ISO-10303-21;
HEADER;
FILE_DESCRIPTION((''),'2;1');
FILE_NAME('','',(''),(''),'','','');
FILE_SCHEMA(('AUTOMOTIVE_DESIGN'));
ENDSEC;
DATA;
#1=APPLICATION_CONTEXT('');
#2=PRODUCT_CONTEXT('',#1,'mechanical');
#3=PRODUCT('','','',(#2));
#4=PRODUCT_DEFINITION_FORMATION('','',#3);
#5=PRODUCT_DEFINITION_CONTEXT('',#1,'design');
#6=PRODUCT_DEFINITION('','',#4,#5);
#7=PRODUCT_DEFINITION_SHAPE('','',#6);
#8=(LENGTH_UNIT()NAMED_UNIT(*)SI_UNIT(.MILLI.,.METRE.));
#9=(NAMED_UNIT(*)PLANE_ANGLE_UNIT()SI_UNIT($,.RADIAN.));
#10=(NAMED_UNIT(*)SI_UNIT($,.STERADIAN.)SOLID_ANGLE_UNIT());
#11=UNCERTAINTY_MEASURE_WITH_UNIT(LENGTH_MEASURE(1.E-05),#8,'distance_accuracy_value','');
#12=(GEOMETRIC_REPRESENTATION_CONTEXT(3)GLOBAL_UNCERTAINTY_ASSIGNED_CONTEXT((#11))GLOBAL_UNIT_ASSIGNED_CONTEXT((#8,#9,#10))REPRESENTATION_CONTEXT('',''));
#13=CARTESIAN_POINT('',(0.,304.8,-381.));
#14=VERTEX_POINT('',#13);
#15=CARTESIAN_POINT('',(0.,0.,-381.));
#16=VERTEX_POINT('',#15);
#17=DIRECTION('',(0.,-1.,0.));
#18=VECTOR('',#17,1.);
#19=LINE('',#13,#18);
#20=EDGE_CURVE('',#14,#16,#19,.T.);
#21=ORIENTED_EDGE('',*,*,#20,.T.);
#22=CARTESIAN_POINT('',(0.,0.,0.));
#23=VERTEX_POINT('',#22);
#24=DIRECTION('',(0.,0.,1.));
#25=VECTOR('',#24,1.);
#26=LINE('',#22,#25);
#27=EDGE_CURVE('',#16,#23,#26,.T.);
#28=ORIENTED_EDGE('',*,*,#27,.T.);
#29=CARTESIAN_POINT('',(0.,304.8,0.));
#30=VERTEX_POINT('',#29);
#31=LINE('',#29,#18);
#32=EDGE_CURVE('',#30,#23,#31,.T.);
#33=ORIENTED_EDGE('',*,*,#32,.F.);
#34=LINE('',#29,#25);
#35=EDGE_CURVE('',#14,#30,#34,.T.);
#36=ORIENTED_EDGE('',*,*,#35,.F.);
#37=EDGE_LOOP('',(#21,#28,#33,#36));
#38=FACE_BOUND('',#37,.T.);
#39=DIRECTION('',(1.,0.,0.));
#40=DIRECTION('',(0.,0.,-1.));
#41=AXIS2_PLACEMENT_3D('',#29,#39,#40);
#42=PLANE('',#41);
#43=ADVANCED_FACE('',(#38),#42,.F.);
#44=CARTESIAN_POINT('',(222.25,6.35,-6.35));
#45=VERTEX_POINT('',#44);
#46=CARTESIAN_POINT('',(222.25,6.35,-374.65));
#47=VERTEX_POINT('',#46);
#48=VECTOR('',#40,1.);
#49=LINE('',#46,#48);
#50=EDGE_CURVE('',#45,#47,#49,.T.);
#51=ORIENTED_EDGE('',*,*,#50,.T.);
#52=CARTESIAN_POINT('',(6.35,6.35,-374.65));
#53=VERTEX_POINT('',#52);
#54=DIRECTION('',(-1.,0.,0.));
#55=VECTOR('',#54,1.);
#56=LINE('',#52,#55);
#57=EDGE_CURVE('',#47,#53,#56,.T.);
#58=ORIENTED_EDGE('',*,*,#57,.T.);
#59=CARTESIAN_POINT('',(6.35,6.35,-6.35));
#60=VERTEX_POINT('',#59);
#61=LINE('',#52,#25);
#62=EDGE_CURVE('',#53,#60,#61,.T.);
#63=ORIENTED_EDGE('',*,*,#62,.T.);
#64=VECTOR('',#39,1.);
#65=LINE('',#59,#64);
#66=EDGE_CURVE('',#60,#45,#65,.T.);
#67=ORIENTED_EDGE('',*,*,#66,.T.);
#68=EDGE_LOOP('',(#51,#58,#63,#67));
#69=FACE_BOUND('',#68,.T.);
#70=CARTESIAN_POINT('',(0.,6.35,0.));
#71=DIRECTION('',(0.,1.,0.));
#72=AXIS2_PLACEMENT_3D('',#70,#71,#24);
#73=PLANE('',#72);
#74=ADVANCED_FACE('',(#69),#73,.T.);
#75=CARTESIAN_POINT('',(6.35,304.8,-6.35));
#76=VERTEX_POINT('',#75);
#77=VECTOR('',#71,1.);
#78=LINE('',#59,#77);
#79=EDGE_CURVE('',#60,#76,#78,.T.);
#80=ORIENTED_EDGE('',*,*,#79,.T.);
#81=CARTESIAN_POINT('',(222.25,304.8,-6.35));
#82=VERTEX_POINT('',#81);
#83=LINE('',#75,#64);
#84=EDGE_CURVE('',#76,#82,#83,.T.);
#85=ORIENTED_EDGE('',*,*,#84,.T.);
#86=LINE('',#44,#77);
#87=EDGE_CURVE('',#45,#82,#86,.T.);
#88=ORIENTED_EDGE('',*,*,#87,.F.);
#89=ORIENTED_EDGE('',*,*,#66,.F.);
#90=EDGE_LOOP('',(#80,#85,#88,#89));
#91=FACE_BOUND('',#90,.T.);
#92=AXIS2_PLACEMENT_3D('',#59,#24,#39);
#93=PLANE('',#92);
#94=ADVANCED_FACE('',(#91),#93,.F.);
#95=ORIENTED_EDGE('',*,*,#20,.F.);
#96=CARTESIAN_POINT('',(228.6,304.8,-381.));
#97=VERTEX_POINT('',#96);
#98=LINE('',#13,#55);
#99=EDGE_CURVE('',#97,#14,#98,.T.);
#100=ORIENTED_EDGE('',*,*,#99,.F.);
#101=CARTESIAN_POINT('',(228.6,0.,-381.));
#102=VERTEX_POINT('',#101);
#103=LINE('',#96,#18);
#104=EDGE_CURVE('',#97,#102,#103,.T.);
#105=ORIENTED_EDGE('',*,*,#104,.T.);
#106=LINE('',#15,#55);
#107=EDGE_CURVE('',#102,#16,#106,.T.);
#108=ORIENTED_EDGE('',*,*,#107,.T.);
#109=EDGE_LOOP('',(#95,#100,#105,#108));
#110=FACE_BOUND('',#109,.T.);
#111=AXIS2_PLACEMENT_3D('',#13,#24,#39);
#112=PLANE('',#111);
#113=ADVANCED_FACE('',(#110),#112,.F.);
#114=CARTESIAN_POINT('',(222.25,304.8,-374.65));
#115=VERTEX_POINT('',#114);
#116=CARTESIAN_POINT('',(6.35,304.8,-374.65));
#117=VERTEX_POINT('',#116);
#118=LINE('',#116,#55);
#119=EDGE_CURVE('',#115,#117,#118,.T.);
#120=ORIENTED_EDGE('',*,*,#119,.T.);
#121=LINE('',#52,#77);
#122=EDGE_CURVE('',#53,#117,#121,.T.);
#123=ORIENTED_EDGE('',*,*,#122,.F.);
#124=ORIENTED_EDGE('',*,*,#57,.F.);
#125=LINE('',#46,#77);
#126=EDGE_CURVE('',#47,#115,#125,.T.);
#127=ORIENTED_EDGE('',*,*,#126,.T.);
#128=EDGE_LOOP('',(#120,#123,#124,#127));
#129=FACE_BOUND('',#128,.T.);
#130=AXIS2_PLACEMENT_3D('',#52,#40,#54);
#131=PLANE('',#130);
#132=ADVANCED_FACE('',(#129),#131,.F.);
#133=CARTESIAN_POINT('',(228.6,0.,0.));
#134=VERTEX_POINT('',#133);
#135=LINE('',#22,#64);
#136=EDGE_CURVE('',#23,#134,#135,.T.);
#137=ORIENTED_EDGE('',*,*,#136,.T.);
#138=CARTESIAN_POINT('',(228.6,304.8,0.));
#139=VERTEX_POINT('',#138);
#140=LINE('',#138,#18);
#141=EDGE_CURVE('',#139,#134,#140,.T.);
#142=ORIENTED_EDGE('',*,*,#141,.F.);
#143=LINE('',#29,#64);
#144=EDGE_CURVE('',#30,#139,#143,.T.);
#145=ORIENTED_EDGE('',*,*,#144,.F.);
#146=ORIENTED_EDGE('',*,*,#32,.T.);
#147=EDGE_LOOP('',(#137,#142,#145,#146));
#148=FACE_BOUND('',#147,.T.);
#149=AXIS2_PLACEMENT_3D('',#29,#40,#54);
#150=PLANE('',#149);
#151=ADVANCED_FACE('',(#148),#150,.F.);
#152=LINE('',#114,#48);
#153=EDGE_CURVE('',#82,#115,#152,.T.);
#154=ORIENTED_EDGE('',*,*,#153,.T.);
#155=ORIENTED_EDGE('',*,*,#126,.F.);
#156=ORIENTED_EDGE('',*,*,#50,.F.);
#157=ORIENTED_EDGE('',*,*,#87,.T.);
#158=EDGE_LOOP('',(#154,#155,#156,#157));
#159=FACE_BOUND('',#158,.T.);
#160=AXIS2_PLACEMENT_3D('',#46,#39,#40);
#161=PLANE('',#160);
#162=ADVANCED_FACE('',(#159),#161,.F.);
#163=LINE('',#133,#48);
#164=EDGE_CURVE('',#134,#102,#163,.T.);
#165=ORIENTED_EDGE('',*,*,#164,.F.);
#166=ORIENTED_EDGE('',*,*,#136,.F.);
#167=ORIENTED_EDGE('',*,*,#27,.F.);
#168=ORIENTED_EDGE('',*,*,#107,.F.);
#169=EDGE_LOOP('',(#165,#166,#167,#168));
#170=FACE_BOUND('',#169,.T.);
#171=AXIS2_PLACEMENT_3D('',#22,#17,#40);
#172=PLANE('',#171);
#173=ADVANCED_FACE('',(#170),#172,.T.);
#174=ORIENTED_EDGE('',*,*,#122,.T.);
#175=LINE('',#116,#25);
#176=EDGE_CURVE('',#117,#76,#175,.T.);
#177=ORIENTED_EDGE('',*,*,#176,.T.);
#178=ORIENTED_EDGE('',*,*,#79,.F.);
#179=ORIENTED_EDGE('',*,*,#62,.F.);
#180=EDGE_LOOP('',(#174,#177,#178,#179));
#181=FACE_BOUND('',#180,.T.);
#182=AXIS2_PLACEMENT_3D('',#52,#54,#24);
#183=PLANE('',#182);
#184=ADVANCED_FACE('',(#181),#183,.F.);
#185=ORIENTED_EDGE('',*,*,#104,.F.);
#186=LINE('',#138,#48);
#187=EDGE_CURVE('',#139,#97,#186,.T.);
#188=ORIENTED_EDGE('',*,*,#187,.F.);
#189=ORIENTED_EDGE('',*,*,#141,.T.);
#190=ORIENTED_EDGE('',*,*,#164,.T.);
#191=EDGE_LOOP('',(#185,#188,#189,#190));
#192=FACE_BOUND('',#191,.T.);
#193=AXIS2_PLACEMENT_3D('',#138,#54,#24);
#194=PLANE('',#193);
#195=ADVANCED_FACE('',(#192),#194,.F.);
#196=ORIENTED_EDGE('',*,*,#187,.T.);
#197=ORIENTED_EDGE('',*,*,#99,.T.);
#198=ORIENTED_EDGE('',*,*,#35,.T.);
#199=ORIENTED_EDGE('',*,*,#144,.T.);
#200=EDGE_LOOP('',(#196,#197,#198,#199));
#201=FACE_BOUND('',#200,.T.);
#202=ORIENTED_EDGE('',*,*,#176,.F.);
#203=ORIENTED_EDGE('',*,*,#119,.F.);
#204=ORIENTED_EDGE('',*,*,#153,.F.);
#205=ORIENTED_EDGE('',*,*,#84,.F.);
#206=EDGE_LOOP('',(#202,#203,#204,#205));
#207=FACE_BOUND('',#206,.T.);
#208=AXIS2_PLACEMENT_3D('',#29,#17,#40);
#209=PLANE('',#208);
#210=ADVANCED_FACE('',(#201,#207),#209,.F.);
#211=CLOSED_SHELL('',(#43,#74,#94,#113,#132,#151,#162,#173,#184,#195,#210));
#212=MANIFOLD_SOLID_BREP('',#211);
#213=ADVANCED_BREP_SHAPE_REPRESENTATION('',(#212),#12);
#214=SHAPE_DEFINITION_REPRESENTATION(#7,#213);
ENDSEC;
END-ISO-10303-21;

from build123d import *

# Parameters (mm, degrees)
SKETCH1_W           = 228.6
SKETCH1_H           = 381
BOSS_EXTRUDE1_DEPTH = 304.8
SKETCH2_W           = 215.9
SKETCH2_H           = 368.3
CUT_EXTRUDE1_DEPTH  = 298.45


with BuildPart() as part:
    # Sketch1 → Boss-Extrude1 (new body)
    with BuildSketch(Plane(origin=(0, 0, 0), x_dir=(1, 0, 0), z_dir=(0, 1, 0))):
        with Locations((114.3, 190.5)):
            Rectangle(SKETCH1_W, SKETCH1_H)
    extrude(amount=BOSS_EXTRUDE1_DEPTH)

    # Sketch2 → Cut-Extrude1 (cut)
    with BuildSketch(Plane(origin=(0, 304.8, 0), x_dir=(1, 0, 0), z_dir=(0, 1, 0))):
        with Locations((114.3, 190.5)):
            Rectangle(SKETCH2_W, SKETCH2_H)
    extrude(amount=-CUT_EXTRUDE1_DEPTH, mode=Mode.SUBTRACT)


solid = part.part
